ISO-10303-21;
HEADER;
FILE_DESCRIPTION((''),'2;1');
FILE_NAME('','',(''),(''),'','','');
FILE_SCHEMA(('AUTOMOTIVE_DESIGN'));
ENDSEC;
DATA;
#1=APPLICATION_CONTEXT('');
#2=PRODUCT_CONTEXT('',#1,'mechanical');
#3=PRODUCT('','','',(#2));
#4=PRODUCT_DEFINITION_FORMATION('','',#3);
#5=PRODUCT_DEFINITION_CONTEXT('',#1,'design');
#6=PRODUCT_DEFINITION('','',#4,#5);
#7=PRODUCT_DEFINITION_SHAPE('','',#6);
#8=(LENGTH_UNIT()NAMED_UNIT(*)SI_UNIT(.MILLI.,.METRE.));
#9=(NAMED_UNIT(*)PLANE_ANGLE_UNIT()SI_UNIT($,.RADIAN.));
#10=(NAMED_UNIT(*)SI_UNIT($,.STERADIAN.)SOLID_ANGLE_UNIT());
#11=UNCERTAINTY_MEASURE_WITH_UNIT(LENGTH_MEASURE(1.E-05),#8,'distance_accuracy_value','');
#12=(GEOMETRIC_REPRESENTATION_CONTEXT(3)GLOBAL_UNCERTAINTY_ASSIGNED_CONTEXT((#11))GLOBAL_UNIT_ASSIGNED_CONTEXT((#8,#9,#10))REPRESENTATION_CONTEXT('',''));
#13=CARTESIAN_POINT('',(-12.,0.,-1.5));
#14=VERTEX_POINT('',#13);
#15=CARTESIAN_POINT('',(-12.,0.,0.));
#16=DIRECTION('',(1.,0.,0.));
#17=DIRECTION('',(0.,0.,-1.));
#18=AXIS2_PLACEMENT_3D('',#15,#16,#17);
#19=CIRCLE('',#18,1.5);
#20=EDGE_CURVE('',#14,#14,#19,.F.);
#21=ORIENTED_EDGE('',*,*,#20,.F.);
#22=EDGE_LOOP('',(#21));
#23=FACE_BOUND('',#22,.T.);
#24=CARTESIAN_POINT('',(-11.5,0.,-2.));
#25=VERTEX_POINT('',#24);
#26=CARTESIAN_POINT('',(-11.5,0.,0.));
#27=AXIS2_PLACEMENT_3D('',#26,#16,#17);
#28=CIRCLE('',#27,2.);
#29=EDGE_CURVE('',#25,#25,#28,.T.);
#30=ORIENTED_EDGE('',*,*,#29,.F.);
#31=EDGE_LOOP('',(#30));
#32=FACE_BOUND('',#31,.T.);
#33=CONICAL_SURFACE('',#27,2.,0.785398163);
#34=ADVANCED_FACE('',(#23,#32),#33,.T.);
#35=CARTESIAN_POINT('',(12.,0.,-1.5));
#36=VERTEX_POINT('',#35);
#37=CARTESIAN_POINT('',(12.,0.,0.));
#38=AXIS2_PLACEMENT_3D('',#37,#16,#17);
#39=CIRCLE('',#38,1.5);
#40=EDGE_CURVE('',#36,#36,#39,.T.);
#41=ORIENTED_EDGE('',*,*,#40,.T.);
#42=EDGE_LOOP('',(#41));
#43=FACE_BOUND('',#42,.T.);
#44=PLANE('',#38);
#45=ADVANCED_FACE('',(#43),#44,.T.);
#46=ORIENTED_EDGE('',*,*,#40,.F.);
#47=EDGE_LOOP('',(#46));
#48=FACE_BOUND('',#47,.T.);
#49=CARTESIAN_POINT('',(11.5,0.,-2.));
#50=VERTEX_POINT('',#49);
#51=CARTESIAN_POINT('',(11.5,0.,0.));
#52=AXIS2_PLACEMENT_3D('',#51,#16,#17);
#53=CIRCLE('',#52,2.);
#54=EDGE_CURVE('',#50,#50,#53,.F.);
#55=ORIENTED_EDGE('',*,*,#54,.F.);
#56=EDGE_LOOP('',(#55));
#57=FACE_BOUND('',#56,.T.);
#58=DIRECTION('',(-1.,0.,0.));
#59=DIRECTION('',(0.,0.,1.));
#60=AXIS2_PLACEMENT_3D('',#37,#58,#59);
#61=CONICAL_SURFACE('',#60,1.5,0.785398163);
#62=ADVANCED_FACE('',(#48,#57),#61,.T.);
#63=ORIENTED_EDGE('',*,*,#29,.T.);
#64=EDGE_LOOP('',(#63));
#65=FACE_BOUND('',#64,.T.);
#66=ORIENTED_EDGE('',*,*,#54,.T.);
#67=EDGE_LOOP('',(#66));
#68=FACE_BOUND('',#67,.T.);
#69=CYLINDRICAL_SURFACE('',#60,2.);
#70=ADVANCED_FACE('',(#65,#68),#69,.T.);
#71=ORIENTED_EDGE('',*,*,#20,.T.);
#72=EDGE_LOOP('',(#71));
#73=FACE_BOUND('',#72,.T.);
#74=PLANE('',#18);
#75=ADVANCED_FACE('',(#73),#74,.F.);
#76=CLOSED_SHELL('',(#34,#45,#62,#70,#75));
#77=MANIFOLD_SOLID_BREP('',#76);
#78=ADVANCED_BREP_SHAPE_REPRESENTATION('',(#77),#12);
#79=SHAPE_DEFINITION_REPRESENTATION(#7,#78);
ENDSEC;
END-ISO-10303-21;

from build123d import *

# Parameters (mm, degrees)
ESQUISSE1_R        = 2
BOSS_EXTRU_1_DEPTH = 12
CHANFREIN1_SIZE    = 0.5


with BuildPart() as part:
    # Esquisse1 → Boss.-Extru.1 (new, symmetric)
    with BuildSketch(Plane(origin=(0, 0, 0), x_dir=(0, 0, -1), z_dir=(1, 0, 0))):
        Circle(ESQUISSE1_R)
    extrude(amount=BOSS_EXTRU_1_DEPTH, both=True)

    # Chanfrein1
    chanfrein1_edges = [part.edges().sort_by_distance(p)[0] for p in [
        (-12, 0, 2),
        (12, 0, 2),
    ]]
    chamfer(chanfrein1_edges, length=CHANFREIN1_SIZE)


solid = part.part
